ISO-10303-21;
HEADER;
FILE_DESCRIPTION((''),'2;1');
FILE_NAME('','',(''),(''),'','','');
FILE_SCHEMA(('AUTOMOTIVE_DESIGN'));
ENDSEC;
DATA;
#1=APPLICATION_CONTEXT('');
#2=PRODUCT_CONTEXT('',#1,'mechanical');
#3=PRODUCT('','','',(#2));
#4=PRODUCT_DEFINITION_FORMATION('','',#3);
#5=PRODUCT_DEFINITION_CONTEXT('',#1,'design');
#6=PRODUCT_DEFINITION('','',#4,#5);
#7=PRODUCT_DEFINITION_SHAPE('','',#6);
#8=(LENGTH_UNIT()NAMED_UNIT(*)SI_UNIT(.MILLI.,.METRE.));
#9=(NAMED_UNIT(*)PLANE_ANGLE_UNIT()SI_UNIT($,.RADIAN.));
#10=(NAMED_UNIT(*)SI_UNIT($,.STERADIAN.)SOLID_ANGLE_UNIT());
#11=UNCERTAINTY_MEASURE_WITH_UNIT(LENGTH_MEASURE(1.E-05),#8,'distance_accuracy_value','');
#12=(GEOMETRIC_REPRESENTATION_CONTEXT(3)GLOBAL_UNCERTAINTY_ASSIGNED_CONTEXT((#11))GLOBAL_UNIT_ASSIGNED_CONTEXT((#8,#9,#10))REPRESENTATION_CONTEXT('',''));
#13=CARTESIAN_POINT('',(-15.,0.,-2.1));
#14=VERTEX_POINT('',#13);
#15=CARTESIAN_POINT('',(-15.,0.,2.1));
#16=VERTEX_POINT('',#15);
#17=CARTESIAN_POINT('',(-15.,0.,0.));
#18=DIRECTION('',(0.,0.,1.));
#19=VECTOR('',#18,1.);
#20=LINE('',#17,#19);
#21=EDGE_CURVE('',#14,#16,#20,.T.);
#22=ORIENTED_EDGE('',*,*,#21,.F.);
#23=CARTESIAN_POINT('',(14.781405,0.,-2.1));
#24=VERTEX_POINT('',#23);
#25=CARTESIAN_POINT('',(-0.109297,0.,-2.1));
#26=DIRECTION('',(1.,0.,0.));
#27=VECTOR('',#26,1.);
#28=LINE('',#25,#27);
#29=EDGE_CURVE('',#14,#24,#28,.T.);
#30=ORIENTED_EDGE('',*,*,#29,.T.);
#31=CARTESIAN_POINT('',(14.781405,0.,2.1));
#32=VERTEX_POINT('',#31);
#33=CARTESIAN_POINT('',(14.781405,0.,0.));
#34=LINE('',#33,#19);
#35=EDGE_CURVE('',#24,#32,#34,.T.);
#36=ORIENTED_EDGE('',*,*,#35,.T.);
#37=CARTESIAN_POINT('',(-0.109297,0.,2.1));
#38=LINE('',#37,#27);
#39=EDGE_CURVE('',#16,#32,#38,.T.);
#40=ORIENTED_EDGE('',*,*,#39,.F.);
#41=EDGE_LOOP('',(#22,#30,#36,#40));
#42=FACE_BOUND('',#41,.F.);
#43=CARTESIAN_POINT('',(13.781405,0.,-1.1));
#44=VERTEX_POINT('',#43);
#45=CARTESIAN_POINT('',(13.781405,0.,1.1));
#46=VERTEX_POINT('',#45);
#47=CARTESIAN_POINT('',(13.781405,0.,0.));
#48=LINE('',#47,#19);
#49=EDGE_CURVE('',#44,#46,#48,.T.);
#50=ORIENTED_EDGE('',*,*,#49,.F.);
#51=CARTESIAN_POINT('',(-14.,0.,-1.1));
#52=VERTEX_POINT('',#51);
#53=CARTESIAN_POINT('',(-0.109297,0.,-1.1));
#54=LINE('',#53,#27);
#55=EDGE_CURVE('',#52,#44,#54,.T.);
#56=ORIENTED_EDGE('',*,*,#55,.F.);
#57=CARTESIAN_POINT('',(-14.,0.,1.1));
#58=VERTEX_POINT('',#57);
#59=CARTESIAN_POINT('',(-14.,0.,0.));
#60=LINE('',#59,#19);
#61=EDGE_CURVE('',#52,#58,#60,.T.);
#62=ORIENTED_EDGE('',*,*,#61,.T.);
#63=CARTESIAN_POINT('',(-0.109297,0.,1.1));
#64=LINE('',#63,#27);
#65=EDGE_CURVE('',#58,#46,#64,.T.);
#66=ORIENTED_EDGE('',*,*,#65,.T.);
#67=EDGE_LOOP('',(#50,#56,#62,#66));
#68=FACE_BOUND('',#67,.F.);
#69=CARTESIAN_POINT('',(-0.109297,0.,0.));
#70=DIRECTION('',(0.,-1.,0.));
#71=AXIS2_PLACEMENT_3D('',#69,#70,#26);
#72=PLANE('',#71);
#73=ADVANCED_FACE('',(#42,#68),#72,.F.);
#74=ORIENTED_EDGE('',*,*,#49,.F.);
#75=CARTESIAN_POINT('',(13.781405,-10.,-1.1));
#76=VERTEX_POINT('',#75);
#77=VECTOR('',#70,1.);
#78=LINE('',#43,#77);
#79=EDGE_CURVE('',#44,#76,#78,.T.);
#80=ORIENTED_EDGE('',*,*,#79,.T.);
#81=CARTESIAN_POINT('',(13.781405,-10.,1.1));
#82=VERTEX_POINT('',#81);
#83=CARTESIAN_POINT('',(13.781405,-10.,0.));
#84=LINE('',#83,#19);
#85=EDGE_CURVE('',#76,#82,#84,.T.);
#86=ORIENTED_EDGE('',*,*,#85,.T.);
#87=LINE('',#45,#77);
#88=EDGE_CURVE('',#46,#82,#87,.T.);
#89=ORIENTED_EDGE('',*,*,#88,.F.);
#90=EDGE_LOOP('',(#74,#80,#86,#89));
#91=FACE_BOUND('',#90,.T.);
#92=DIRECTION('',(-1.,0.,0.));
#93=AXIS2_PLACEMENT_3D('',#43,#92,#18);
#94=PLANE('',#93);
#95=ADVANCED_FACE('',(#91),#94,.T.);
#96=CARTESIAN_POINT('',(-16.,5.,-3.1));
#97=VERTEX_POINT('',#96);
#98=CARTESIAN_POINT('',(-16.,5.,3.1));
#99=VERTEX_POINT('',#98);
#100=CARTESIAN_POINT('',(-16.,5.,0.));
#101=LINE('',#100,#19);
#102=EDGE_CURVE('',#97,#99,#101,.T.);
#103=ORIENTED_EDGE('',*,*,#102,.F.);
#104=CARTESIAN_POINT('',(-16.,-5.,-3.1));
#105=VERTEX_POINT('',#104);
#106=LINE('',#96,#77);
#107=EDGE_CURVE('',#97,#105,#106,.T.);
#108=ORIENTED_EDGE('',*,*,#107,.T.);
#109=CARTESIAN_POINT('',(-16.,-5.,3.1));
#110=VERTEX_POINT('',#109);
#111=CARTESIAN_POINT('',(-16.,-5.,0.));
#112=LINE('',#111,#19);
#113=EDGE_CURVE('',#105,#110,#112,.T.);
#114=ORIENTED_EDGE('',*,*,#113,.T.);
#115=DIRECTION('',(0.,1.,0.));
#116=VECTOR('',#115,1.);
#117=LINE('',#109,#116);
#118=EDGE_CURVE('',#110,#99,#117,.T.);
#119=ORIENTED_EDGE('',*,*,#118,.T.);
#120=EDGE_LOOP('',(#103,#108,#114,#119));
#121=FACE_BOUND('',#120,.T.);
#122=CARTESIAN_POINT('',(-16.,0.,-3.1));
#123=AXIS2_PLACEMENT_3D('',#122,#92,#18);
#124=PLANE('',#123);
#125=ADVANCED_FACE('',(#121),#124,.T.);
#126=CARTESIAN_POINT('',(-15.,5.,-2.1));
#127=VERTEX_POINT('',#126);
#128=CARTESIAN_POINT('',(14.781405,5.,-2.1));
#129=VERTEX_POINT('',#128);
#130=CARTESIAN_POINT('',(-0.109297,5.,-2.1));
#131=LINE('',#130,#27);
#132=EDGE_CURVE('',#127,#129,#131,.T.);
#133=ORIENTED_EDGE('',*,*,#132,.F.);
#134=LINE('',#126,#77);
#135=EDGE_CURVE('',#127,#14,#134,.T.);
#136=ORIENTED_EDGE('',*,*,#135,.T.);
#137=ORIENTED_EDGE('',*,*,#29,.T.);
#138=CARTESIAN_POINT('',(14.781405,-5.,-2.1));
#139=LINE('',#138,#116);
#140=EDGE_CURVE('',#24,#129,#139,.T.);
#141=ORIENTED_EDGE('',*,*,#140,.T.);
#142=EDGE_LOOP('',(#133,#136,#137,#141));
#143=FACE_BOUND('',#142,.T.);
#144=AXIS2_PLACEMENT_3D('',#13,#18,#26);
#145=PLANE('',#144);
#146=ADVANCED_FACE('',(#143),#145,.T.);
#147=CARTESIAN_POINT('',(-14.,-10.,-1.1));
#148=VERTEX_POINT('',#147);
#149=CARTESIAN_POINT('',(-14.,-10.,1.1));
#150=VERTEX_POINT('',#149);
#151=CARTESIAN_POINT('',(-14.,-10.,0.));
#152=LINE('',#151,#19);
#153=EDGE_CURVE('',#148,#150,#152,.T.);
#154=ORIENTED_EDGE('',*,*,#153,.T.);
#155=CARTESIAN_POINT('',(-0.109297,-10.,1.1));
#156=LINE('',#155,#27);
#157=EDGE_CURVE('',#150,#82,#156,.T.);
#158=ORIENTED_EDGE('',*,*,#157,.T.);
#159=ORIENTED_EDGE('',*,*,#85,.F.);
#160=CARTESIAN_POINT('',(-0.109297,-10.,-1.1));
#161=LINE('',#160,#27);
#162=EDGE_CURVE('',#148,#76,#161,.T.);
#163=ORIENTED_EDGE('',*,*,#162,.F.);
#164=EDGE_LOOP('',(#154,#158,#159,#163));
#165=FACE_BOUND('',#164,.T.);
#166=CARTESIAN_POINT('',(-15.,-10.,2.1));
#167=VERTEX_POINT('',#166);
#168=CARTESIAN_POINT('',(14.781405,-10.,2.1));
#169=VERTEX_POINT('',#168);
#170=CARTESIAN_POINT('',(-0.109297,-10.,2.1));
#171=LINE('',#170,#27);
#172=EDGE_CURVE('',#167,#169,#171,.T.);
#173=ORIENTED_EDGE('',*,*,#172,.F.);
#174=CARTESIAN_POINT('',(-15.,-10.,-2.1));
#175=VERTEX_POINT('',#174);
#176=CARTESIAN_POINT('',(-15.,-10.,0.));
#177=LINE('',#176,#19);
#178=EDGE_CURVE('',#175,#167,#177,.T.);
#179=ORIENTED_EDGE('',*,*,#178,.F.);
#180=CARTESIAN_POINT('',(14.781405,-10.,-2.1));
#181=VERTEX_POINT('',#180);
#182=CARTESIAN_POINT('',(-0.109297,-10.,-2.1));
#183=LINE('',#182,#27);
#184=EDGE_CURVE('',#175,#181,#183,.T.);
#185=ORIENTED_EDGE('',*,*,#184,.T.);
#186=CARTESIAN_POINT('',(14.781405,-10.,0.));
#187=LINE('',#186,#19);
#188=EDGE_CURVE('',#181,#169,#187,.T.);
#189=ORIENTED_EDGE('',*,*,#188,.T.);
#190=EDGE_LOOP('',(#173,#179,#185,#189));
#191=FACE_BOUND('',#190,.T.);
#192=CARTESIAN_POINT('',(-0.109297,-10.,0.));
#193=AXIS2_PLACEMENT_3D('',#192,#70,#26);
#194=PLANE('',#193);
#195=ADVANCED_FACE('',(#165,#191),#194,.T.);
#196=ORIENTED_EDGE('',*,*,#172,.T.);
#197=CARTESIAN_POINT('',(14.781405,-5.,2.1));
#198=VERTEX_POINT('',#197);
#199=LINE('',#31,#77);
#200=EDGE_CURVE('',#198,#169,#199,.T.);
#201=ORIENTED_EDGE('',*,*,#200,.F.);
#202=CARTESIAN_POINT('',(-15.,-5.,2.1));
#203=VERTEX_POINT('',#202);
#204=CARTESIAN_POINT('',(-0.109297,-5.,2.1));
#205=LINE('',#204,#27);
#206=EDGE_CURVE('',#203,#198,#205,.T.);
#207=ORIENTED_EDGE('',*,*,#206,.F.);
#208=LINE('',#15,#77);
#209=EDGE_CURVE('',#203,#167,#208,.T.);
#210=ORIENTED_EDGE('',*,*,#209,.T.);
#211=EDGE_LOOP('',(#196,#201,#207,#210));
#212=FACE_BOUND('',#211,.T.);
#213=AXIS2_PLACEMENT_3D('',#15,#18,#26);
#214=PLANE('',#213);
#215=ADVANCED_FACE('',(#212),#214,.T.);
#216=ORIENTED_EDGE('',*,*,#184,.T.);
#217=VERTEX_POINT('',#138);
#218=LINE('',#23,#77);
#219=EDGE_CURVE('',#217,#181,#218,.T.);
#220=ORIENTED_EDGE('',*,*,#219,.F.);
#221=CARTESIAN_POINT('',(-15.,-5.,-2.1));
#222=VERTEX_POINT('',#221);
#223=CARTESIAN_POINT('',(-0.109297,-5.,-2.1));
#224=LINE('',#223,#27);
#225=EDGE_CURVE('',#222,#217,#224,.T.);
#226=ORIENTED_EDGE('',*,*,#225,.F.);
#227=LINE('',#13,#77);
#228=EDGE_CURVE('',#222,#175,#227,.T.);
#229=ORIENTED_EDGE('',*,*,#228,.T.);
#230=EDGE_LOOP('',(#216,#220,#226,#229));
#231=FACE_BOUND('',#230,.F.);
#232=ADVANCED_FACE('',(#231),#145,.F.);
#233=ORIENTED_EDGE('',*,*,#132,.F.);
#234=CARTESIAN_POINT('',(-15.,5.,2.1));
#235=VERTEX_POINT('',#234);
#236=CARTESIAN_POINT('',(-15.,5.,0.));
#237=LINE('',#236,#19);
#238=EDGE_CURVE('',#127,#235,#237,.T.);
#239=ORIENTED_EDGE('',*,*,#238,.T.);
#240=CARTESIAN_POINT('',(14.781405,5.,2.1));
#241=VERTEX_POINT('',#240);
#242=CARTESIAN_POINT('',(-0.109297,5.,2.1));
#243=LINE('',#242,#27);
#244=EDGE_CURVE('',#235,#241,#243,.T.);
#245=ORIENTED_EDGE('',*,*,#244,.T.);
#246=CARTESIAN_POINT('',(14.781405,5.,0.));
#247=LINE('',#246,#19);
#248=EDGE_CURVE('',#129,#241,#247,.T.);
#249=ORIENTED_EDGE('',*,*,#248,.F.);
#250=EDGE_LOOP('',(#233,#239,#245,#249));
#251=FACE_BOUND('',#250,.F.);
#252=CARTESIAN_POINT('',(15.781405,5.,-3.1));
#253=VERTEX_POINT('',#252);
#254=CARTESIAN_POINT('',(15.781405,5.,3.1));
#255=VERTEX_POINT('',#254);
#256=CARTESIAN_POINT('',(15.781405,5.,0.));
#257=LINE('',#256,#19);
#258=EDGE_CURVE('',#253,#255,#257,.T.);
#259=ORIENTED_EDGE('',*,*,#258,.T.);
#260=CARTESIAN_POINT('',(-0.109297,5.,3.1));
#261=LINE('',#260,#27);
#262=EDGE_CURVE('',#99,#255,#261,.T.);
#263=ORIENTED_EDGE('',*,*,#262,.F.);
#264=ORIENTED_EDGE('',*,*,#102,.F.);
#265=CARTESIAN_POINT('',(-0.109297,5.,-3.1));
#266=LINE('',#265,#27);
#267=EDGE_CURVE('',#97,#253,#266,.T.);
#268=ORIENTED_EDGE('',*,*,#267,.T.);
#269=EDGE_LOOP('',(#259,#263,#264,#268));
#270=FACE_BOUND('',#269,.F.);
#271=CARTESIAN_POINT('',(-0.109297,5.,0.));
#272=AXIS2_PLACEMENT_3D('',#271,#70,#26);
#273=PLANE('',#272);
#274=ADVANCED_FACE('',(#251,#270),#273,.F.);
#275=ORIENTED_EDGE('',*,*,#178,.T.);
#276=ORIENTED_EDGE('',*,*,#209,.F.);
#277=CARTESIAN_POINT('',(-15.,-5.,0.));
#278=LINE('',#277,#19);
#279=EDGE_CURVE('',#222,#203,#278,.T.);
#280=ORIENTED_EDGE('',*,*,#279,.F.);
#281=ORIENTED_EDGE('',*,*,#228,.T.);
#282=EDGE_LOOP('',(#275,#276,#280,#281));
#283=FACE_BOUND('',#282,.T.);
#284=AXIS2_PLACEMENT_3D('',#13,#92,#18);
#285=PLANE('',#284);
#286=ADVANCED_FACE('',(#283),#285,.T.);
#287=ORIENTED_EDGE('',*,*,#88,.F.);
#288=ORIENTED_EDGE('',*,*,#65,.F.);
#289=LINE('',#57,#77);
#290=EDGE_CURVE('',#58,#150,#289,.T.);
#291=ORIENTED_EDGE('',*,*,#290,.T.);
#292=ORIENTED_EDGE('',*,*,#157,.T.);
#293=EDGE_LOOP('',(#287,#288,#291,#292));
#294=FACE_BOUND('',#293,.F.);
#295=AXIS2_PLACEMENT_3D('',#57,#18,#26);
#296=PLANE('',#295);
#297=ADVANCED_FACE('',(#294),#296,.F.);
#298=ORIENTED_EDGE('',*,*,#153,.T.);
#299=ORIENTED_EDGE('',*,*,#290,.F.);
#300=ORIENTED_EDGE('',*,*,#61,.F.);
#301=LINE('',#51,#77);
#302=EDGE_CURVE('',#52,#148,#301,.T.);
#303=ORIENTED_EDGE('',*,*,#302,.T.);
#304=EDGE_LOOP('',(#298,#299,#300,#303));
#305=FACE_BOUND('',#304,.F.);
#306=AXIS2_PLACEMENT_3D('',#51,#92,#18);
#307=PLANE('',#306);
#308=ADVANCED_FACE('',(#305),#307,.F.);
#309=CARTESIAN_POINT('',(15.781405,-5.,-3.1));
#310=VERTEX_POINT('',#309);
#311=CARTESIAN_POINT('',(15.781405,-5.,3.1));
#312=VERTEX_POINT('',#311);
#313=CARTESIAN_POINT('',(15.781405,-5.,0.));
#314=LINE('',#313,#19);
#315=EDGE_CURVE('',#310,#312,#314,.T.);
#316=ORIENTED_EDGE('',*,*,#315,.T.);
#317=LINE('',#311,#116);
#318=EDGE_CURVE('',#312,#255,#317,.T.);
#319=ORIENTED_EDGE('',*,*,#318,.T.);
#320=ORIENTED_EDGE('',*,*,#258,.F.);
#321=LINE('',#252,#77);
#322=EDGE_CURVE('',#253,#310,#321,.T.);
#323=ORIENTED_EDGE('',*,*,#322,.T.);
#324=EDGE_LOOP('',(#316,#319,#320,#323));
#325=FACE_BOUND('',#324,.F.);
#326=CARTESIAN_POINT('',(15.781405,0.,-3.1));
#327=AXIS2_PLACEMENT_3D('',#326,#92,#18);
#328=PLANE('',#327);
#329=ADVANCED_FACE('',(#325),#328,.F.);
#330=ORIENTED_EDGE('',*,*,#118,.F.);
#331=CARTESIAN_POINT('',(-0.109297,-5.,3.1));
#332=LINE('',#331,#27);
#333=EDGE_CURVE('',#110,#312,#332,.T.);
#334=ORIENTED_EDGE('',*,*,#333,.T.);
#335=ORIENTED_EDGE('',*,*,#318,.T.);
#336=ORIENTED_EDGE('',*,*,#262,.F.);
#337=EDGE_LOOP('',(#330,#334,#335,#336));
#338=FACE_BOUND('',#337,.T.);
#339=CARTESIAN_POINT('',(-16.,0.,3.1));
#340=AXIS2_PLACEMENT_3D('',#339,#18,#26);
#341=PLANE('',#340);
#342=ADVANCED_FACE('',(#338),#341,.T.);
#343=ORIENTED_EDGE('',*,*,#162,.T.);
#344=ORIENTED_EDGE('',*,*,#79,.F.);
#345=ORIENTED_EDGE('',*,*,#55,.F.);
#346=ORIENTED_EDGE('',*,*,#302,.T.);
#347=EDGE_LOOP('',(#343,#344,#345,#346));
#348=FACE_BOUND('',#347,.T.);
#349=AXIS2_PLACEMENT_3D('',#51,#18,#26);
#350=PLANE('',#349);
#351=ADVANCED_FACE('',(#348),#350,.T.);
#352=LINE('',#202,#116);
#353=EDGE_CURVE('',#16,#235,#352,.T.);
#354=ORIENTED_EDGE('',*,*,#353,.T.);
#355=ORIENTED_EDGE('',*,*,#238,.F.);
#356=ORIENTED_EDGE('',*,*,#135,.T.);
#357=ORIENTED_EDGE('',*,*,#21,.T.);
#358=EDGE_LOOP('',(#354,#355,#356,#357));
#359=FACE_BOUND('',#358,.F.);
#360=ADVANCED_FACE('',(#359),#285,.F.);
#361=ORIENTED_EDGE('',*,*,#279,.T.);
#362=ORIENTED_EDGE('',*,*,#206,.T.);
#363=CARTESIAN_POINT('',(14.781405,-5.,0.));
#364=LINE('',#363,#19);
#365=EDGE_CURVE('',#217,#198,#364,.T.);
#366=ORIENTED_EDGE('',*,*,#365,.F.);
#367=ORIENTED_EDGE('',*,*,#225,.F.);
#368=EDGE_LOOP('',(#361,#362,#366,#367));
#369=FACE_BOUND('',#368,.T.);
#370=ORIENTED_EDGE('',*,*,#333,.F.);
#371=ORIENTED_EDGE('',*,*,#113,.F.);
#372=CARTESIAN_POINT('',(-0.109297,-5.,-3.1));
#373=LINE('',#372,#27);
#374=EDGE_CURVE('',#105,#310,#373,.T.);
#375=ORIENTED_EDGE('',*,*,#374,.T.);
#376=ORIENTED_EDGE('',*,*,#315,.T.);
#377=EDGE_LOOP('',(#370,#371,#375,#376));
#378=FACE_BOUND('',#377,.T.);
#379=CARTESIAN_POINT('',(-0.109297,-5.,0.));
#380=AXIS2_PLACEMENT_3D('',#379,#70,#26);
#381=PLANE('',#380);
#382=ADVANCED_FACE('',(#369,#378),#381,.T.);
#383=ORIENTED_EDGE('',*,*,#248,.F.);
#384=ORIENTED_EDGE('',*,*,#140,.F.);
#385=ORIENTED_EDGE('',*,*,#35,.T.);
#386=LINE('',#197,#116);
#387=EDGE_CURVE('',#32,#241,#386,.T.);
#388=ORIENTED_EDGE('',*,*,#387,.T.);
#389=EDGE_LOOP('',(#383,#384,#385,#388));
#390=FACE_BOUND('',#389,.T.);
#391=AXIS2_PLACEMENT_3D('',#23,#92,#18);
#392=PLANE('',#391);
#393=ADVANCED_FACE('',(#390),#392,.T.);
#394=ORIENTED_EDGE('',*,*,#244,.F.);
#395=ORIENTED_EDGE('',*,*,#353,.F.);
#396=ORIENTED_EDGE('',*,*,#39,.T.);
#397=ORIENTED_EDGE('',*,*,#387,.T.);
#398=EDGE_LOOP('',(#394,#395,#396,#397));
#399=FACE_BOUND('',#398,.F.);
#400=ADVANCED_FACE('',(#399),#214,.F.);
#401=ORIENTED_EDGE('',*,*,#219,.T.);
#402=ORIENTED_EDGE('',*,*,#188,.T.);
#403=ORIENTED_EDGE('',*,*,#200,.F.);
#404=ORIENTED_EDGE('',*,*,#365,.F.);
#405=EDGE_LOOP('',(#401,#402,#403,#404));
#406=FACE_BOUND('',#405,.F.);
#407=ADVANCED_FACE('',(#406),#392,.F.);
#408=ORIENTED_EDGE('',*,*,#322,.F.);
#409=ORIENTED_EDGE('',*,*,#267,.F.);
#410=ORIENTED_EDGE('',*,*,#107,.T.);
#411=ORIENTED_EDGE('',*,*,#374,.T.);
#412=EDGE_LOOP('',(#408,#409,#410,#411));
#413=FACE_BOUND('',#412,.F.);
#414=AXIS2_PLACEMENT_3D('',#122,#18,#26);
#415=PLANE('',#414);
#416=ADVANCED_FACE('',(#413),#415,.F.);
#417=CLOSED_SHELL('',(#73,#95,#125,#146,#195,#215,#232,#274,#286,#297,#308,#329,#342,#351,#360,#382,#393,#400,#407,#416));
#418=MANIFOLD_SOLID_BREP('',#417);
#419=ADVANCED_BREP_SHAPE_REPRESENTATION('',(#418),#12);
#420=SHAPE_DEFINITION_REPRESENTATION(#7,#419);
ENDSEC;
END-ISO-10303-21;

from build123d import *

# Parameters (mm, degrees)
F0_W          = 31.7814054862
F0_H          = 6.2
F0_W_2        = 29.7814054862
F0_H_2        = 4.2
F1_DEPTH      = 5
F1_DEPTH_BACK = 5
F0_W_3        = 27.7814054862
F0_H_3        = 2.2
F2_DEPTH      = 10


with BuildPart() as f1:
    # F0 (on Front) → F1 (new body, two sides)
    with BuildSketch(Plane.XZ) as f1_sk:
        with Locations((-0.1092972569, 0)):
            Rectangle(F0_W, F0_H)
        with Locations((-0.1092972569, 0)):
            Rectangle(F0_W_2, F0_H_2, mode=Mode.SUBTRACT)
    extrude(amount=-F1_DEPTH)
    extrude(f1_sk.sketch, amount=F1_DEPTH_BACK)

    # F0 (on Front) → F2 (join)
    with BuildSketch(Plane.XZ):
        with Locations((-0.1092972569, 0)):
            Rectangle(F0_W_2, F0_H_2)
        with Locations((-0.1092972569, 0)):
            Rectangle(F0_W_3, F0_H_3, mode=Mode.SUBTRACT)
    extrude(amount=F2_DEPTH)


solid = f1.part
